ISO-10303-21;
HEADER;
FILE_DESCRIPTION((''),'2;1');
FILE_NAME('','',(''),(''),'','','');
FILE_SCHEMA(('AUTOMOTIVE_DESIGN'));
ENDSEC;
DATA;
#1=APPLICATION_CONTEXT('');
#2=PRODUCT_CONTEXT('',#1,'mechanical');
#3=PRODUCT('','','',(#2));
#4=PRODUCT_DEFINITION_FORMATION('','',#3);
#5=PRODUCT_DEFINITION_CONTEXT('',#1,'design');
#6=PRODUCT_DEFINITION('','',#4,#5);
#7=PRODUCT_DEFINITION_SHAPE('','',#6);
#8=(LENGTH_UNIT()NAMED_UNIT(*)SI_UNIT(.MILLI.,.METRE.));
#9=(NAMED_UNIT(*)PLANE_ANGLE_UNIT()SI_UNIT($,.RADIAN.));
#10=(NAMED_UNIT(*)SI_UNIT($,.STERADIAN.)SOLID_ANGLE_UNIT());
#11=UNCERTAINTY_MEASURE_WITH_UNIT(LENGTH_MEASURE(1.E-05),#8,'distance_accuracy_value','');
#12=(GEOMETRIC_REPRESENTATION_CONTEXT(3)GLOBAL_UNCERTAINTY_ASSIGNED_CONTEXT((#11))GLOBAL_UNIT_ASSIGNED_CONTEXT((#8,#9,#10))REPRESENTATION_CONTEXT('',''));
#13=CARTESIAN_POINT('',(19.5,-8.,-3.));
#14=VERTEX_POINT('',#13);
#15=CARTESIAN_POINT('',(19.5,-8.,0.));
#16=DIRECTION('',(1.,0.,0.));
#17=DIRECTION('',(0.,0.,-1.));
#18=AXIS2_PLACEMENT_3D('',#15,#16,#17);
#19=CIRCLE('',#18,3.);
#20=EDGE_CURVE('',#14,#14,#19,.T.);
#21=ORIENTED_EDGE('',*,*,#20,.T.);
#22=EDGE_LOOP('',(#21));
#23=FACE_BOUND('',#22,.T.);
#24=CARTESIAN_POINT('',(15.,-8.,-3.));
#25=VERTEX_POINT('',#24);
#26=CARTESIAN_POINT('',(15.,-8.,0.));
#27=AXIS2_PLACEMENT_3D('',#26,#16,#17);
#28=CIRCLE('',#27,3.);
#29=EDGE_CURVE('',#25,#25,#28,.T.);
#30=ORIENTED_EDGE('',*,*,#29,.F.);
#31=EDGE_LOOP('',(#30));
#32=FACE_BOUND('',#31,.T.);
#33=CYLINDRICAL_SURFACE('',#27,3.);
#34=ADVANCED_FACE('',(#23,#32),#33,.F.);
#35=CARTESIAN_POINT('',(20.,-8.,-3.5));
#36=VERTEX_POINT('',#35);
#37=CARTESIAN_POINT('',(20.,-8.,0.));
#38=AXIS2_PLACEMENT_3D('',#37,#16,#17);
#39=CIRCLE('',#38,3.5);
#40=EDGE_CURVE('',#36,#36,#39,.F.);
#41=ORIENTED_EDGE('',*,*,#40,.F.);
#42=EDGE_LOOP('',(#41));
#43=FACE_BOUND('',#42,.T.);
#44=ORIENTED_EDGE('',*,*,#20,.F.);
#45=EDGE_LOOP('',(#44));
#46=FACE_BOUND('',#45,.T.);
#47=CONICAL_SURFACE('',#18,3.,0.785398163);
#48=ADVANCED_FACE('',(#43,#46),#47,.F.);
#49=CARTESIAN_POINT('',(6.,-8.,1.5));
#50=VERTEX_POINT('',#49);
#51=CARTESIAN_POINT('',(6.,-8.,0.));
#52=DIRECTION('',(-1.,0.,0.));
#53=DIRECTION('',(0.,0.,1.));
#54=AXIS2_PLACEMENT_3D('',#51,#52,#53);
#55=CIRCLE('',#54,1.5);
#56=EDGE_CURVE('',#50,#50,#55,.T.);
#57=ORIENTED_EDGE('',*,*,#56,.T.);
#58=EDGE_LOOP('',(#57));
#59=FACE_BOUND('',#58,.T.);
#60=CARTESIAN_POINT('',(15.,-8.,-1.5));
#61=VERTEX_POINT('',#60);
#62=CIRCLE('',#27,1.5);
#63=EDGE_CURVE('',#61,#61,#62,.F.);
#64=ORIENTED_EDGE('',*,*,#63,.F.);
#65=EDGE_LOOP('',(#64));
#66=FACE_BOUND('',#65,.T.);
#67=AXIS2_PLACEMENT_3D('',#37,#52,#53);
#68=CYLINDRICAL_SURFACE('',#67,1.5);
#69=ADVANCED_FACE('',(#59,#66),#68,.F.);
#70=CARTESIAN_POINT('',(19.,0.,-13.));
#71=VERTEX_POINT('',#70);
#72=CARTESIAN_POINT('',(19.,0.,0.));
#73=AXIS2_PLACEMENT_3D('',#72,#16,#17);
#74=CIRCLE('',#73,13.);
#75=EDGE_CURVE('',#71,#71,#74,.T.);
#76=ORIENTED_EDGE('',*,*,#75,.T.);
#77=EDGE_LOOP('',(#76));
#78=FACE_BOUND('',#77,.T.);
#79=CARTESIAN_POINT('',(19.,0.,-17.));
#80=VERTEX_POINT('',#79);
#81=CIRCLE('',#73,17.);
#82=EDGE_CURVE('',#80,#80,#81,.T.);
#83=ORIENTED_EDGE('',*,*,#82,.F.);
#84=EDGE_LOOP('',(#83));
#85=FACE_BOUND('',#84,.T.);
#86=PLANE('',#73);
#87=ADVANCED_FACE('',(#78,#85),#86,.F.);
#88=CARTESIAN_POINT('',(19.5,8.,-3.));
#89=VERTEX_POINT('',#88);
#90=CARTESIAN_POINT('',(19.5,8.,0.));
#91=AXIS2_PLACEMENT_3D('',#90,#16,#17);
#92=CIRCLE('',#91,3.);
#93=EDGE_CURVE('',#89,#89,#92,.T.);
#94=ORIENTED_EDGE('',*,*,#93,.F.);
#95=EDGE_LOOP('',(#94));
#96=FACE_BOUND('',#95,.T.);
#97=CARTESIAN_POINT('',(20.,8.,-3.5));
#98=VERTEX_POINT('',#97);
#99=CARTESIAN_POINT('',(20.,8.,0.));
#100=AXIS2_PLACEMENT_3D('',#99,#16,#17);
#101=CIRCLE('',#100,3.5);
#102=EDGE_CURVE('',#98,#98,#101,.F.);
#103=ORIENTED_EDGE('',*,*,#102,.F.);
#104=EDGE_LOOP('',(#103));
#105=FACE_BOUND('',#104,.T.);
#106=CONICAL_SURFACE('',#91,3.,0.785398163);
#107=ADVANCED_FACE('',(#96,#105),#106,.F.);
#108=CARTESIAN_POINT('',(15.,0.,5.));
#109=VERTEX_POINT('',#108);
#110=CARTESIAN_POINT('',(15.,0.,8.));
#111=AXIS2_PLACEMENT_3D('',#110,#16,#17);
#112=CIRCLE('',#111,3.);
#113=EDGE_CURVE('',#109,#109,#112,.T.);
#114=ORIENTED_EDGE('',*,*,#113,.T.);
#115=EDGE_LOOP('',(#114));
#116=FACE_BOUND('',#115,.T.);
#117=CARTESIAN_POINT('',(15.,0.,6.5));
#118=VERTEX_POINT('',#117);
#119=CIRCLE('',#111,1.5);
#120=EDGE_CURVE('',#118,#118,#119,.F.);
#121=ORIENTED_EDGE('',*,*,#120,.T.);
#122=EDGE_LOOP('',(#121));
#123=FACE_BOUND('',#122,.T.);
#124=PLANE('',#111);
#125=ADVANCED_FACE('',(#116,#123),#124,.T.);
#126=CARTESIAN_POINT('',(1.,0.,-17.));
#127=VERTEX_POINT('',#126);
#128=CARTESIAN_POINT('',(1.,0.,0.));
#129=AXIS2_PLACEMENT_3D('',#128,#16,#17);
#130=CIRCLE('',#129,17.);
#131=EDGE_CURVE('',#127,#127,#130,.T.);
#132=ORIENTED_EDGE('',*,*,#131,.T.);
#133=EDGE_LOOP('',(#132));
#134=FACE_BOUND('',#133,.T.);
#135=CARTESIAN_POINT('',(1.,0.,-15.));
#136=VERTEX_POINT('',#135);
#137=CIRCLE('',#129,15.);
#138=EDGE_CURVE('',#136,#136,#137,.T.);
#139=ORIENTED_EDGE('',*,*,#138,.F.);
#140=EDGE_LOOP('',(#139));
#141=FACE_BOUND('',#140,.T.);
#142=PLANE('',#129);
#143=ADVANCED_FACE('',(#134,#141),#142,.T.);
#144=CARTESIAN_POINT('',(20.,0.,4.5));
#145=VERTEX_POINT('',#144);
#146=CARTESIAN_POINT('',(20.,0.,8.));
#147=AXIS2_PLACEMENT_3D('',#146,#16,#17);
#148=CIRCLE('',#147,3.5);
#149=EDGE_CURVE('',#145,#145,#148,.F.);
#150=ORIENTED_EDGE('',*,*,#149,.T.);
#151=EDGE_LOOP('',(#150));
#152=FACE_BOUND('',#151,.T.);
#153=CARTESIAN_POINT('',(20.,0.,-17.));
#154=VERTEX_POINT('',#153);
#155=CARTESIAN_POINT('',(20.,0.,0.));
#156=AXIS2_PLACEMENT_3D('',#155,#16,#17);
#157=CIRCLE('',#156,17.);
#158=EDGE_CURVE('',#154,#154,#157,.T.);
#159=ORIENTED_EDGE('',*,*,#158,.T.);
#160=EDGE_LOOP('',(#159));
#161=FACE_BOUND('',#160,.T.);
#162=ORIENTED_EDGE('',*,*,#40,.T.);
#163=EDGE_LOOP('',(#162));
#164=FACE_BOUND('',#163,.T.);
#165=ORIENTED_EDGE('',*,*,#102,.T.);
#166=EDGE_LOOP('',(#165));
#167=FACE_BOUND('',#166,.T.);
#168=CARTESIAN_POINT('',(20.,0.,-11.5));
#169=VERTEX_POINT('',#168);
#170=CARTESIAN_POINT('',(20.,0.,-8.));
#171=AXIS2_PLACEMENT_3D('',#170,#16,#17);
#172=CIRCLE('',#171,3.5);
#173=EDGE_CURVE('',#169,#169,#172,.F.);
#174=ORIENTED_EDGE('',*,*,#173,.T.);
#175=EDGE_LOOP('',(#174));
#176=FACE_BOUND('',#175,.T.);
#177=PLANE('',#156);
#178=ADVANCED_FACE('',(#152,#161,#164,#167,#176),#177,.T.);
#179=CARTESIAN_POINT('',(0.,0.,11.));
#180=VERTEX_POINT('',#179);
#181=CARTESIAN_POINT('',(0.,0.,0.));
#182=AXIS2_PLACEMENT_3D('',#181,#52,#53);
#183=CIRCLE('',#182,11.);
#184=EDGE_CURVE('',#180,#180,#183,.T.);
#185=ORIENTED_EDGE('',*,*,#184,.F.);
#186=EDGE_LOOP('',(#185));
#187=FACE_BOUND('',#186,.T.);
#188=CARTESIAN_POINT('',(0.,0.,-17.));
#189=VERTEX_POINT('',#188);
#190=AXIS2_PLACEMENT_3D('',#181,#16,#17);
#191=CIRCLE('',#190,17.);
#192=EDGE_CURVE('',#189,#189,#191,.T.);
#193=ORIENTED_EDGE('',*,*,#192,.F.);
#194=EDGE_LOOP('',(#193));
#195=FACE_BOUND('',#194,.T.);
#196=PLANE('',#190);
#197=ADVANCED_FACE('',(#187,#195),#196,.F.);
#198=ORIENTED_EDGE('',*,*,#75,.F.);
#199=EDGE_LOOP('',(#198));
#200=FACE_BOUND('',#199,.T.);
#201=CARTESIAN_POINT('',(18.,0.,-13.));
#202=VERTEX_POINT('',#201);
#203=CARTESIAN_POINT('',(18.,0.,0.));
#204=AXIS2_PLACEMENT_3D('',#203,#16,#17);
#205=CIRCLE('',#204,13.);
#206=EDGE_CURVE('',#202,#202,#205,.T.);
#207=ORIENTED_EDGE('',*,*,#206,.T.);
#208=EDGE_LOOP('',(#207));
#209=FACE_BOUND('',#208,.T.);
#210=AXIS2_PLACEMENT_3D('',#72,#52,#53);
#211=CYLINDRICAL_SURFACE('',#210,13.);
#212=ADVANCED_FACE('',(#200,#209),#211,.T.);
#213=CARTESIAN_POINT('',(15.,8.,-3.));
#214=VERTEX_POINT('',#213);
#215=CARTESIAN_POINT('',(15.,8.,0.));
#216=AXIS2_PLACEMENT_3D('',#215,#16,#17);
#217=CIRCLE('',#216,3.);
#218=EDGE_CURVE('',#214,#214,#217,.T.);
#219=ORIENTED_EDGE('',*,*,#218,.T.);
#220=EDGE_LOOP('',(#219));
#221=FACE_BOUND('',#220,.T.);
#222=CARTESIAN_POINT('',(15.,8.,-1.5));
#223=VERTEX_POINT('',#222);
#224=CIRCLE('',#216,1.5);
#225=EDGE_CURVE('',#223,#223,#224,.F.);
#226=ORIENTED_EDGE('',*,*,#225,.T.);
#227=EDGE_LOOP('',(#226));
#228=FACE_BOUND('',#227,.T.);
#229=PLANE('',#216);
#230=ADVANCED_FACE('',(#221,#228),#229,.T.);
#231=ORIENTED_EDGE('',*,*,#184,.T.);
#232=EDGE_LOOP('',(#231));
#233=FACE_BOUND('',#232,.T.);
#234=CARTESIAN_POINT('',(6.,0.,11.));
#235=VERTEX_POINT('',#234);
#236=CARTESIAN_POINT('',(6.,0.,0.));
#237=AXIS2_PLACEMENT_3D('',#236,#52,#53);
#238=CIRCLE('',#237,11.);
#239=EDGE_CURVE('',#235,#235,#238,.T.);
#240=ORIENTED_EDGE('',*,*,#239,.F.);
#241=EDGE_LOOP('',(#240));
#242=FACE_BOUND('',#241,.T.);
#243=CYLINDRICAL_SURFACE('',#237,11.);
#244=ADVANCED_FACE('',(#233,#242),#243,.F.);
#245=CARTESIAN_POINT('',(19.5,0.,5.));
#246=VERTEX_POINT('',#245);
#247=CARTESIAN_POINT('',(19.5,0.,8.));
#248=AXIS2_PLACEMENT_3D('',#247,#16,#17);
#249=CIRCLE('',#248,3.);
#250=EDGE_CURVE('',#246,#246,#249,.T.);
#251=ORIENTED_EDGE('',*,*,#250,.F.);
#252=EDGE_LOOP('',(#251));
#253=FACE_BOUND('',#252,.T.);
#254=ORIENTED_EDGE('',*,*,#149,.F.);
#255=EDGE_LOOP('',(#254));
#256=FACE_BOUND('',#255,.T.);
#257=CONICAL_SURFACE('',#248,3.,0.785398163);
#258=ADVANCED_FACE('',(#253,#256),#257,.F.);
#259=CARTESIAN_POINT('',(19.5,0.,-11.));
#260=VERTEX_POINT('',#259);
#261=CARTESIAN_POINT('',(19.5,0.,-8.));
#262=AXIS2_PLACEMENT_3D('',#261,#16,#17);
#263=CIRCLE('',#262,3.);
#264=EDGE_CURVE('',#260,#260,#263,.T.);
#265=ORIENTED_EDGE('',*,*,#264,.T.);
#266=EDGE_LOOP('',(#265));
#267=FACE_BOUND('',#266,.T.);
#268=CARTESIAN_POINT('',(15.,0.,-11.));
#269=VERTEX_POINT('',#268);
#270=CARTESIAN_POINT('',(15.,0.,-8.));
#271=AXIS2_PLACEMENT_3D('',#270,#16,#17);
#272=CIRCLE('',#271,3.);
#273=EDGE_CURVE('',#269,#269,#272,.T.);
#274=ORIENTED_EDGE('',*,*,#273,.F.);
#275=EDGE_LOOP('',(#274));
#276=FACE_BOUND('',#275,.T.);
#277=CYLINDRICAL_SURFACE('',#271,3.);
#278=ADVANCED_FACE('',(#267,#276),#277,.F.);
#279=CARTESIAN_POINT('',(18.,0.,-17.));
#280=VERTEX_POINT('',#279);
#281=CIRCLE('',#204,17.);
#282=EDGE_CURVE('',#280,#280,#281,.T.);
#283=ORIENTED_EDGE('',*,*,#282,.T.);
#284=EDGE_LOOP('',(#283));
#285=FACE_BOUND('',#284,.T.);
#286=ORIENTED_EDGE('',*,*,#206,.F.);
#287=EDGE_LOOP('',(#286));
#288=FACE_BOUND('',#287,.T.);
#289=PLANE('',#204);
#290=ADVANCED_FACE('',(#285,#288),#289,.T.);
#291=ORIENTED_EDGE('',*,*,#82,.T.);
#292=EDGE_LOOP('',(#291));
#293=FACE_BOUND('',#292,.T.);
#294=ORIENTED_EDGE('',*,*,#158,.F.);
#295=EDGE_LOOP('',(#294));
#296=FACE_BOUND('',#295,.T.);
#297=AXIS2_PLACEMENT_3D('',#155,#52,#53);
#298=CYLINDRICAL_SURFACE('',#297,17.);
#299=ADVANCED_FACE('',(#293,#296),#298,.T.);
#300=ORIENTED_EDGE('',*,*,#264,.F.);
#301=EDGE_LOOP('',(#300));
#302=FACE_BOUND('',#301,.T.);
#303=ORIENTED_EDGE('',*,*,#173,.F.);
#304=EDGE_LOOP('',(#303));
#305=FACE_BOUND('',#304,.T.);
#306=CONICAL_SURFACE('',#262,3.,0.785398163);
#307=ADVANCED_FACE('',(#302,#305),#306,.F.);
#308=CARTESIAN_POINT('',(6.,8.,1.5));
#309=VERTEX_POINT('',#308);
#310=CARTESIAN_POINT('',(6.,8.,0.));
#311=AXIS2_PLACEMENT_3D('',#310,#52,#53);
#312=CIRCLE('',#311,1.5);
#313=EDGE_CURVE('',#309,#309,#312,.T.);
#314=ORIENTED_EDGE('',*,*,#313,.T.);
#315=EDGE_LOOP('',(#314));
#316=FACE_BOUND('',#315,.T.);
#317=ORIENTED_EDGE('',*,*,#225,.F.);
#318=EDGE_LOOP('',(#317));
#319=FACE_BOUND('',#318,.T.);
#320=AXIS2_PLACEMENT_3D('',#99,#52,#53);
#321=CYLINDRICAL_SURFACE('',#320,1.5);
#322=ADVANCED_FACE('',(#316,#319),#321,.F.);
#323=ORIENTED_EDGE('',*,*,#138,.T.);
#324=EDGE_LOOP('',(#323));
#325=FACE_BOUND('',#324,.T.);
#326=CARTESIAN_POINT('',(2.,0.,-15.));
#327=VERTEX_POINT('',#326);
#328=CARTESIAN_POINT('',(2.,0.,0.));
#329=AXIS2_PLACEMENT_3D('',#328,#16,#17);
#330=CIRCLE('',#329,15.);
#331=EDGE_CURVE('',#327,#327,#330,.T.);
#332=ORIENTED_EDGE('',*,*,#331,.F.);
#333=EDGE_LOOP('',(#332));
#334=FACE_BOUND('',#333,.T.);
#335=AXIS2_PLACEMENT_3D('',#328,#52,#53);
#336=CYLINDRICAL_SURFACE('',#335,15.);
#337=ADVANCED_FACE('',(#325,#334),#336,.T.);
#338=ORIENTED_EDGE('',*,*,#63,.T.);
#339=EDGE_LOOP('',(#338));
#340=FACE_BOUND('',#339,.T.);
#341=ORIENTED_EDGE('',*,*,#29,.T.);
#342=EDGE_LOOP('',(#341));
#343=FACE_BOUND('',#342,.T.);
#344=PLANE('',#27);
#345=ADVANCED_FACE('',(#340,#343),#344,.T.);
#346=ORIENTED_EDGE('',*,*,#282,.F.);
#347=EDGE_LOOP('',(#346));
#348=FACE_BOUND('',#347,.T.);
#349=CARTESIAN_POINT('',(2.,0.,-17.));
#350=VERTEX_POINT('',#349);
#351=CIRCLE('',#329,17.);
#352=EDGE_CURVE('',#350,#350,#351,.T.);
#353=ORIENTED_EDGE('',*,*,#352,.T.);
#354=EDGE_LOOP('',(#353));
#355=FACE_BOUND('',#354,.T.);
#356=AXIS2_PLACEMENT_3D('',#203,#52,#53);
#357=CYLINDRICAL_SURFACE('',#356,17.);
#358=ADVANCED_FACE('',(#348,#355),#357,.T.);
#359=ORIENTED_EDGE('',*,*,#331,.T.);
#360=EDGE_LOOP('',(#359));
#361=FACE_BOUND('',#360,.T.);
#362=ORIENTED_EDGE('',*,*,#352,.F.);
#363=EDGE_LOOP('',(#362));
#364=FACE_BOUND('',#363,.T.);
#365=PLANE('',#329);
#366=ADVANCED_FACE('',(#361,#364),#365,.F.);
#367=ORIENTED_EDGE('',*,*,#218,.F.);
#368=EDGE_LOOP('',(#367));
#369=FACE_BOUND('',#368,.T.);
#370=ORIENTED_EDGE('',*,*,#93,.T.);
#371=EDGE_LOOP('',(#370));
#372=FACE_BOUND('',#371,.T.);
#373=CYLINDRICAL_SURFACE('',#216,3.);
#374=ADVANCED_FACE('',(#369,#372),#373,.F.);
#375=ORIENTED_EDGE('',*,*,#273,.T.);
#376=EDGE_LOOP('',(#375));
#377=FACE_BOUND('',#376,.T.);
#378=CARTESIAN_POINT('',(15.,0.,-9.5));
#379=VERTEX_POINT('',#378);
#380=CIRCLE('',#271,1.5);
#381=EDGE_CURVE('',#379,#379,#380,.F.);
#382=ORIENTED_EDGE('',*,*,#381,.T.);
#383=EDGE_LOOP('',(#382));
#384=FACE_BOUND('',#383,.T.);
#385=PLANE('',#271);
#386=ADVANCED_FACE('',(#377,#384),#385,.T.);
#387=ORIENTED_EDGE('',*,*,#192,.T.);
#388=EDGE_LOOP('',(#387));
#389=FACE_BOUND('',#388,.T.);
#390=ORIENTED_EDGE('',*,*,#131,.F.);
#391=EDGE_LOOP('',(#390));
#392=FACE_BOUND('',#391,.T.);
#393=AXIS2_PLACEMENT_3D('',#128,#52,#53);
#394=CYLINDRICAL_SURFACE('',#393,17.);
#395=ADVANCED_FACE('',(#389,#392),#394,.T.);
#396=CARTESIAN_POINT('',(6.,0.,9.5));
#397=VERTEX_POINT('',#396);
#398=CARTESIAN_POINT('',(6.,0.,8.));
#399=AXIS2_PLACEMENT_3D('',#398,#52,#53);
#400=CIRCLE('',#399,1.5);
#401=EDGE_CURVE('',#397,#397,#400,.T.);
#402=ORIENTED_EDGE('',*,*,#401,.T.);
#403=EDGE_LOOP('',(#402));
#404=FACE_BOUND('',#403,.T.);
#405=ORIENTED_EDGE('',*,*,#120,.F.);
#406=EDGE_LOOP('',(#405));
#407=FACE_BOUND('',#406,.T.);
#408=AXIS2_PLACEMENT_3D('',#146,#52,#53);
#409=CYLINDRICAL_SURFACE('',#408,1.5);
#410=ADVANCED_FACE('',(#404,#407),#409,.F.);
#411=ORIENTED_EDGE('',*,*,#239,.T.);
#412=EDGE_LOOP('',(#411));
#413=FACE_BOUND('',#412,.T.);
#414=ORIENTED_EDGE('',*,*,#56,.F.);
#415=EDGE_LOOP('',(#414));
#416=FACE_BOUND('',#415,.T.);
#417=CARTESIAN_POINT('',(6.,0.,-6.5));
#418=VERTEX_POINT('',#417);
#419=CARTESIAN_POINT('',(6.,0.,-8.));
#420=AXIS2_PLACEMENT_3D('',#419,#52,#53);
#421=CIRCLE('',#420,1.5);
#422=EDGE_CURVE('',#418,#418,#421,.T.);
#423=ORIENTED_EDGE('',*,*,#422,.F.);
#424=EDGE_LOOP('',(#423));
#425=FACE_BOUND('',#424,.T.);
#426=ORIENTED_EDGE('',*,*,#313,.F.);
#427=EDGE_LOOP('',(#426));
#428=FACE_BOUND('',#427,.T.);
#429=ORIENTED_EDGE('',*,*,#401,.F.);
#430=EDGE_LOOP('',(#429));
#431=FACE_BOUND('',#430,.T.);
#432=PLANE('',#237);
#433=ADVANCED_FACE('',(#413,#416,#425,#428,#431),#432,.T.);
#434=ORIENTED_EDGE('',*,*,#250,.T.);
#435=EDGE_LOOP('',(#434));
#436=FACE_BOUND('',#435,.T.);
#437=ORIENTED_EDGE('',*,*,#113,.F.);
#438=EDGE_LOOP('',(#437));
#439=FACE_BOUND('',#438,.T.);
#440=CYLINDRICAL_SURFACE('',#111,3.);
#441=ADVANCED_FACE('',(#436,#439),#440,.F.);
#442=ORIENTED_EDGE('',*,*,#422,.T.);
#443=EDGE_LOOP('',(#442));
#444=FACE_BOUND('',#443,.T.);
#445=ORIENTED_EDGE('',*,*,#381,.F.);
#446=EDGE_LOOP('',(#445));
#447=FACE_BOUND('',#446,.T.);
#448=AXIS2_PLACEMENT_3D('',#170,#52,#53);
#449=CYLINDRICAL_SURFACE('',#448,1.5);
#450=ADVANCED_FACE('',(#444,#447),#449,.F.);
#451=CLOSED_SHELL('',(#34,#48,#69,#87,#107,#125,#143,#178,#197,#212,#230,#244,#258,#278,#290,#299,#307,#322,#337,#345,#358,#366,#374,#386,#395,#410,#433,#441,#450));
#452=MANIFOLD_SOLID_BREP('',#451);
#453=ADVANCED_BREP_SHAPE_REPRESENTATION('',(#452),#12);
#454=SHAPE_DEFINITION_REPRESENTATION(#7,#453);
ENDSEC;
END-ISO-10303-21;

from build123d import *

# Parameters (mm, degrees)
SKETCH1_R           = 17
BOSS_EXTRUDE1_DEPTH = 1
SKETCH2_R           = 15
BOSS_EXTRUDE2_DEPTH = 1
SKETCH4_R           = 17
BOSS_EXTRUDE3_DEPTH = 16
SKETCH5_R           = 13
BOSS_EXTRUDE4_DEPTH = 1
SKETCH6_R           = 17
BOSS_EXTRUDE5_DEPTH = 1
SKETCH7_R           = 11
CUT_EXTRUDE1_DEPTH  = 6
SKETCH8_R           = 1.5
CUT_EXTRUDE2_DEPTH  = 14
SKETCH9_R           = 3
CUT_EXTRUDE3_DEPTH  = 5
CHAMFER1_SIZE       = 0.5


with BuildPart() as part:
    # Sketch1 → Boss-Extrude1 (new body)
    with BuildSketch(Plane(origin=(0, 0, 0), x_dir=(0, 0, -1), z_dir=(1, 0, 0))):
        Circle(SKETCH1_R)
    extrude(amount=BOSS_EXTRUDE1_DEPTH)

    # Sketch2 → Boss-Extrude2 (add)
    with BuildSketch(Plane(origin=(1, 0, 0), x_dir=(0, 0, -1), z_dir=(1, 0, 0))):
        Circle(SKETCH2_R)
    extrude(amount=BOSS_EXTRUDE2_DEPTH)

    # Sketch4 → Boss-Extrude3 (add)
    with BuildSketch(Plane(origin=(2, 0, 0), x_dir=(0, 0, -1), z_dir=(1, 0, 0))):
        Circle(SKETCH4_R)
    extrude(amount=BOSS_EXTRUDE3_DEPTH)

    # Sketch5 → Boss-Extrude4 (add)
    with BuildSketch(Plane(origin=(18, 0, 0), x_dir=(0, 0, -1), z_dir=(1, 0, 0))):
        Circle(SKETCH5_R)
    extrude(amount=BOSS_EXTRUDE4_DEPTH)

    # Sketch6 → Boss-Extrude5 (add)
    with BuildSketch(Plane(origin=(19, 0, 0), x_dir=(0, 0, -1), z_dir=(1, 0, 0))):
        Circle(SKETCH6_R)
    extrude(amount=BOSS_EXTRUDE5_DEPTH)

    # Sketch7 → Cut-Extrude1 (cut)
    with BuildSketch(Plane.ZY):
        Circle(SKETCH7_R)
    extrude(amount=-CUT_EXTRUDE1_DEPTH, mode=Mode.SUBTRACT)

    # Sketch8 → Cut-Extrude2 (cut)
    with BuildSketch(Plane.ZY.offset(-6)):
        with Locations((0, 8)):
            Circle(SKETCH8_R)
        with Locations((8, 0)):
            Circle(SKETCH8_R)
        with Locations((0, -8)):
            Circle(SKETCH8_R)
        with Locations((-8, 0)):
            Circle(SKETCH8_R)
    extrude(amount=-CUT_EXTRUDE2_DEPTH, mode=Mode.SUBTRACT)

    # Sketch9 → Cut-Extrude3 (cut)
    with BuildSketch(Plane(origin=(20, 0, 0), x_dir=(0, 0, -1), z_dir=(1, 0, 0))):
        with Locations((-8, 0)):
            Circle(SKETCH9_R)
        with Locations((0, 8)):
            Circle(SKETCH9_R)
        with Locations((8, 0)):
            Circle(SKETCH9_R)
        with Locations((0, -8)):
            Circle(SKETCH9_R)
    extrude(amount=-CUT_EXTRUDE3_DEPTH, mode=Mode.SUBTRACT)

    # Chamfer1
    chamfer1_edges = [part.edges().sort_by_distance(p)[0] for p in [
        (20, 0, 11),
        (20, 8, 3),
        (20, 0, -5),
        (20, -8, 3),
    ]]
    chamfer(chamfer1_edges, length=CHAMFER1_SIZE)


solid = part.part
